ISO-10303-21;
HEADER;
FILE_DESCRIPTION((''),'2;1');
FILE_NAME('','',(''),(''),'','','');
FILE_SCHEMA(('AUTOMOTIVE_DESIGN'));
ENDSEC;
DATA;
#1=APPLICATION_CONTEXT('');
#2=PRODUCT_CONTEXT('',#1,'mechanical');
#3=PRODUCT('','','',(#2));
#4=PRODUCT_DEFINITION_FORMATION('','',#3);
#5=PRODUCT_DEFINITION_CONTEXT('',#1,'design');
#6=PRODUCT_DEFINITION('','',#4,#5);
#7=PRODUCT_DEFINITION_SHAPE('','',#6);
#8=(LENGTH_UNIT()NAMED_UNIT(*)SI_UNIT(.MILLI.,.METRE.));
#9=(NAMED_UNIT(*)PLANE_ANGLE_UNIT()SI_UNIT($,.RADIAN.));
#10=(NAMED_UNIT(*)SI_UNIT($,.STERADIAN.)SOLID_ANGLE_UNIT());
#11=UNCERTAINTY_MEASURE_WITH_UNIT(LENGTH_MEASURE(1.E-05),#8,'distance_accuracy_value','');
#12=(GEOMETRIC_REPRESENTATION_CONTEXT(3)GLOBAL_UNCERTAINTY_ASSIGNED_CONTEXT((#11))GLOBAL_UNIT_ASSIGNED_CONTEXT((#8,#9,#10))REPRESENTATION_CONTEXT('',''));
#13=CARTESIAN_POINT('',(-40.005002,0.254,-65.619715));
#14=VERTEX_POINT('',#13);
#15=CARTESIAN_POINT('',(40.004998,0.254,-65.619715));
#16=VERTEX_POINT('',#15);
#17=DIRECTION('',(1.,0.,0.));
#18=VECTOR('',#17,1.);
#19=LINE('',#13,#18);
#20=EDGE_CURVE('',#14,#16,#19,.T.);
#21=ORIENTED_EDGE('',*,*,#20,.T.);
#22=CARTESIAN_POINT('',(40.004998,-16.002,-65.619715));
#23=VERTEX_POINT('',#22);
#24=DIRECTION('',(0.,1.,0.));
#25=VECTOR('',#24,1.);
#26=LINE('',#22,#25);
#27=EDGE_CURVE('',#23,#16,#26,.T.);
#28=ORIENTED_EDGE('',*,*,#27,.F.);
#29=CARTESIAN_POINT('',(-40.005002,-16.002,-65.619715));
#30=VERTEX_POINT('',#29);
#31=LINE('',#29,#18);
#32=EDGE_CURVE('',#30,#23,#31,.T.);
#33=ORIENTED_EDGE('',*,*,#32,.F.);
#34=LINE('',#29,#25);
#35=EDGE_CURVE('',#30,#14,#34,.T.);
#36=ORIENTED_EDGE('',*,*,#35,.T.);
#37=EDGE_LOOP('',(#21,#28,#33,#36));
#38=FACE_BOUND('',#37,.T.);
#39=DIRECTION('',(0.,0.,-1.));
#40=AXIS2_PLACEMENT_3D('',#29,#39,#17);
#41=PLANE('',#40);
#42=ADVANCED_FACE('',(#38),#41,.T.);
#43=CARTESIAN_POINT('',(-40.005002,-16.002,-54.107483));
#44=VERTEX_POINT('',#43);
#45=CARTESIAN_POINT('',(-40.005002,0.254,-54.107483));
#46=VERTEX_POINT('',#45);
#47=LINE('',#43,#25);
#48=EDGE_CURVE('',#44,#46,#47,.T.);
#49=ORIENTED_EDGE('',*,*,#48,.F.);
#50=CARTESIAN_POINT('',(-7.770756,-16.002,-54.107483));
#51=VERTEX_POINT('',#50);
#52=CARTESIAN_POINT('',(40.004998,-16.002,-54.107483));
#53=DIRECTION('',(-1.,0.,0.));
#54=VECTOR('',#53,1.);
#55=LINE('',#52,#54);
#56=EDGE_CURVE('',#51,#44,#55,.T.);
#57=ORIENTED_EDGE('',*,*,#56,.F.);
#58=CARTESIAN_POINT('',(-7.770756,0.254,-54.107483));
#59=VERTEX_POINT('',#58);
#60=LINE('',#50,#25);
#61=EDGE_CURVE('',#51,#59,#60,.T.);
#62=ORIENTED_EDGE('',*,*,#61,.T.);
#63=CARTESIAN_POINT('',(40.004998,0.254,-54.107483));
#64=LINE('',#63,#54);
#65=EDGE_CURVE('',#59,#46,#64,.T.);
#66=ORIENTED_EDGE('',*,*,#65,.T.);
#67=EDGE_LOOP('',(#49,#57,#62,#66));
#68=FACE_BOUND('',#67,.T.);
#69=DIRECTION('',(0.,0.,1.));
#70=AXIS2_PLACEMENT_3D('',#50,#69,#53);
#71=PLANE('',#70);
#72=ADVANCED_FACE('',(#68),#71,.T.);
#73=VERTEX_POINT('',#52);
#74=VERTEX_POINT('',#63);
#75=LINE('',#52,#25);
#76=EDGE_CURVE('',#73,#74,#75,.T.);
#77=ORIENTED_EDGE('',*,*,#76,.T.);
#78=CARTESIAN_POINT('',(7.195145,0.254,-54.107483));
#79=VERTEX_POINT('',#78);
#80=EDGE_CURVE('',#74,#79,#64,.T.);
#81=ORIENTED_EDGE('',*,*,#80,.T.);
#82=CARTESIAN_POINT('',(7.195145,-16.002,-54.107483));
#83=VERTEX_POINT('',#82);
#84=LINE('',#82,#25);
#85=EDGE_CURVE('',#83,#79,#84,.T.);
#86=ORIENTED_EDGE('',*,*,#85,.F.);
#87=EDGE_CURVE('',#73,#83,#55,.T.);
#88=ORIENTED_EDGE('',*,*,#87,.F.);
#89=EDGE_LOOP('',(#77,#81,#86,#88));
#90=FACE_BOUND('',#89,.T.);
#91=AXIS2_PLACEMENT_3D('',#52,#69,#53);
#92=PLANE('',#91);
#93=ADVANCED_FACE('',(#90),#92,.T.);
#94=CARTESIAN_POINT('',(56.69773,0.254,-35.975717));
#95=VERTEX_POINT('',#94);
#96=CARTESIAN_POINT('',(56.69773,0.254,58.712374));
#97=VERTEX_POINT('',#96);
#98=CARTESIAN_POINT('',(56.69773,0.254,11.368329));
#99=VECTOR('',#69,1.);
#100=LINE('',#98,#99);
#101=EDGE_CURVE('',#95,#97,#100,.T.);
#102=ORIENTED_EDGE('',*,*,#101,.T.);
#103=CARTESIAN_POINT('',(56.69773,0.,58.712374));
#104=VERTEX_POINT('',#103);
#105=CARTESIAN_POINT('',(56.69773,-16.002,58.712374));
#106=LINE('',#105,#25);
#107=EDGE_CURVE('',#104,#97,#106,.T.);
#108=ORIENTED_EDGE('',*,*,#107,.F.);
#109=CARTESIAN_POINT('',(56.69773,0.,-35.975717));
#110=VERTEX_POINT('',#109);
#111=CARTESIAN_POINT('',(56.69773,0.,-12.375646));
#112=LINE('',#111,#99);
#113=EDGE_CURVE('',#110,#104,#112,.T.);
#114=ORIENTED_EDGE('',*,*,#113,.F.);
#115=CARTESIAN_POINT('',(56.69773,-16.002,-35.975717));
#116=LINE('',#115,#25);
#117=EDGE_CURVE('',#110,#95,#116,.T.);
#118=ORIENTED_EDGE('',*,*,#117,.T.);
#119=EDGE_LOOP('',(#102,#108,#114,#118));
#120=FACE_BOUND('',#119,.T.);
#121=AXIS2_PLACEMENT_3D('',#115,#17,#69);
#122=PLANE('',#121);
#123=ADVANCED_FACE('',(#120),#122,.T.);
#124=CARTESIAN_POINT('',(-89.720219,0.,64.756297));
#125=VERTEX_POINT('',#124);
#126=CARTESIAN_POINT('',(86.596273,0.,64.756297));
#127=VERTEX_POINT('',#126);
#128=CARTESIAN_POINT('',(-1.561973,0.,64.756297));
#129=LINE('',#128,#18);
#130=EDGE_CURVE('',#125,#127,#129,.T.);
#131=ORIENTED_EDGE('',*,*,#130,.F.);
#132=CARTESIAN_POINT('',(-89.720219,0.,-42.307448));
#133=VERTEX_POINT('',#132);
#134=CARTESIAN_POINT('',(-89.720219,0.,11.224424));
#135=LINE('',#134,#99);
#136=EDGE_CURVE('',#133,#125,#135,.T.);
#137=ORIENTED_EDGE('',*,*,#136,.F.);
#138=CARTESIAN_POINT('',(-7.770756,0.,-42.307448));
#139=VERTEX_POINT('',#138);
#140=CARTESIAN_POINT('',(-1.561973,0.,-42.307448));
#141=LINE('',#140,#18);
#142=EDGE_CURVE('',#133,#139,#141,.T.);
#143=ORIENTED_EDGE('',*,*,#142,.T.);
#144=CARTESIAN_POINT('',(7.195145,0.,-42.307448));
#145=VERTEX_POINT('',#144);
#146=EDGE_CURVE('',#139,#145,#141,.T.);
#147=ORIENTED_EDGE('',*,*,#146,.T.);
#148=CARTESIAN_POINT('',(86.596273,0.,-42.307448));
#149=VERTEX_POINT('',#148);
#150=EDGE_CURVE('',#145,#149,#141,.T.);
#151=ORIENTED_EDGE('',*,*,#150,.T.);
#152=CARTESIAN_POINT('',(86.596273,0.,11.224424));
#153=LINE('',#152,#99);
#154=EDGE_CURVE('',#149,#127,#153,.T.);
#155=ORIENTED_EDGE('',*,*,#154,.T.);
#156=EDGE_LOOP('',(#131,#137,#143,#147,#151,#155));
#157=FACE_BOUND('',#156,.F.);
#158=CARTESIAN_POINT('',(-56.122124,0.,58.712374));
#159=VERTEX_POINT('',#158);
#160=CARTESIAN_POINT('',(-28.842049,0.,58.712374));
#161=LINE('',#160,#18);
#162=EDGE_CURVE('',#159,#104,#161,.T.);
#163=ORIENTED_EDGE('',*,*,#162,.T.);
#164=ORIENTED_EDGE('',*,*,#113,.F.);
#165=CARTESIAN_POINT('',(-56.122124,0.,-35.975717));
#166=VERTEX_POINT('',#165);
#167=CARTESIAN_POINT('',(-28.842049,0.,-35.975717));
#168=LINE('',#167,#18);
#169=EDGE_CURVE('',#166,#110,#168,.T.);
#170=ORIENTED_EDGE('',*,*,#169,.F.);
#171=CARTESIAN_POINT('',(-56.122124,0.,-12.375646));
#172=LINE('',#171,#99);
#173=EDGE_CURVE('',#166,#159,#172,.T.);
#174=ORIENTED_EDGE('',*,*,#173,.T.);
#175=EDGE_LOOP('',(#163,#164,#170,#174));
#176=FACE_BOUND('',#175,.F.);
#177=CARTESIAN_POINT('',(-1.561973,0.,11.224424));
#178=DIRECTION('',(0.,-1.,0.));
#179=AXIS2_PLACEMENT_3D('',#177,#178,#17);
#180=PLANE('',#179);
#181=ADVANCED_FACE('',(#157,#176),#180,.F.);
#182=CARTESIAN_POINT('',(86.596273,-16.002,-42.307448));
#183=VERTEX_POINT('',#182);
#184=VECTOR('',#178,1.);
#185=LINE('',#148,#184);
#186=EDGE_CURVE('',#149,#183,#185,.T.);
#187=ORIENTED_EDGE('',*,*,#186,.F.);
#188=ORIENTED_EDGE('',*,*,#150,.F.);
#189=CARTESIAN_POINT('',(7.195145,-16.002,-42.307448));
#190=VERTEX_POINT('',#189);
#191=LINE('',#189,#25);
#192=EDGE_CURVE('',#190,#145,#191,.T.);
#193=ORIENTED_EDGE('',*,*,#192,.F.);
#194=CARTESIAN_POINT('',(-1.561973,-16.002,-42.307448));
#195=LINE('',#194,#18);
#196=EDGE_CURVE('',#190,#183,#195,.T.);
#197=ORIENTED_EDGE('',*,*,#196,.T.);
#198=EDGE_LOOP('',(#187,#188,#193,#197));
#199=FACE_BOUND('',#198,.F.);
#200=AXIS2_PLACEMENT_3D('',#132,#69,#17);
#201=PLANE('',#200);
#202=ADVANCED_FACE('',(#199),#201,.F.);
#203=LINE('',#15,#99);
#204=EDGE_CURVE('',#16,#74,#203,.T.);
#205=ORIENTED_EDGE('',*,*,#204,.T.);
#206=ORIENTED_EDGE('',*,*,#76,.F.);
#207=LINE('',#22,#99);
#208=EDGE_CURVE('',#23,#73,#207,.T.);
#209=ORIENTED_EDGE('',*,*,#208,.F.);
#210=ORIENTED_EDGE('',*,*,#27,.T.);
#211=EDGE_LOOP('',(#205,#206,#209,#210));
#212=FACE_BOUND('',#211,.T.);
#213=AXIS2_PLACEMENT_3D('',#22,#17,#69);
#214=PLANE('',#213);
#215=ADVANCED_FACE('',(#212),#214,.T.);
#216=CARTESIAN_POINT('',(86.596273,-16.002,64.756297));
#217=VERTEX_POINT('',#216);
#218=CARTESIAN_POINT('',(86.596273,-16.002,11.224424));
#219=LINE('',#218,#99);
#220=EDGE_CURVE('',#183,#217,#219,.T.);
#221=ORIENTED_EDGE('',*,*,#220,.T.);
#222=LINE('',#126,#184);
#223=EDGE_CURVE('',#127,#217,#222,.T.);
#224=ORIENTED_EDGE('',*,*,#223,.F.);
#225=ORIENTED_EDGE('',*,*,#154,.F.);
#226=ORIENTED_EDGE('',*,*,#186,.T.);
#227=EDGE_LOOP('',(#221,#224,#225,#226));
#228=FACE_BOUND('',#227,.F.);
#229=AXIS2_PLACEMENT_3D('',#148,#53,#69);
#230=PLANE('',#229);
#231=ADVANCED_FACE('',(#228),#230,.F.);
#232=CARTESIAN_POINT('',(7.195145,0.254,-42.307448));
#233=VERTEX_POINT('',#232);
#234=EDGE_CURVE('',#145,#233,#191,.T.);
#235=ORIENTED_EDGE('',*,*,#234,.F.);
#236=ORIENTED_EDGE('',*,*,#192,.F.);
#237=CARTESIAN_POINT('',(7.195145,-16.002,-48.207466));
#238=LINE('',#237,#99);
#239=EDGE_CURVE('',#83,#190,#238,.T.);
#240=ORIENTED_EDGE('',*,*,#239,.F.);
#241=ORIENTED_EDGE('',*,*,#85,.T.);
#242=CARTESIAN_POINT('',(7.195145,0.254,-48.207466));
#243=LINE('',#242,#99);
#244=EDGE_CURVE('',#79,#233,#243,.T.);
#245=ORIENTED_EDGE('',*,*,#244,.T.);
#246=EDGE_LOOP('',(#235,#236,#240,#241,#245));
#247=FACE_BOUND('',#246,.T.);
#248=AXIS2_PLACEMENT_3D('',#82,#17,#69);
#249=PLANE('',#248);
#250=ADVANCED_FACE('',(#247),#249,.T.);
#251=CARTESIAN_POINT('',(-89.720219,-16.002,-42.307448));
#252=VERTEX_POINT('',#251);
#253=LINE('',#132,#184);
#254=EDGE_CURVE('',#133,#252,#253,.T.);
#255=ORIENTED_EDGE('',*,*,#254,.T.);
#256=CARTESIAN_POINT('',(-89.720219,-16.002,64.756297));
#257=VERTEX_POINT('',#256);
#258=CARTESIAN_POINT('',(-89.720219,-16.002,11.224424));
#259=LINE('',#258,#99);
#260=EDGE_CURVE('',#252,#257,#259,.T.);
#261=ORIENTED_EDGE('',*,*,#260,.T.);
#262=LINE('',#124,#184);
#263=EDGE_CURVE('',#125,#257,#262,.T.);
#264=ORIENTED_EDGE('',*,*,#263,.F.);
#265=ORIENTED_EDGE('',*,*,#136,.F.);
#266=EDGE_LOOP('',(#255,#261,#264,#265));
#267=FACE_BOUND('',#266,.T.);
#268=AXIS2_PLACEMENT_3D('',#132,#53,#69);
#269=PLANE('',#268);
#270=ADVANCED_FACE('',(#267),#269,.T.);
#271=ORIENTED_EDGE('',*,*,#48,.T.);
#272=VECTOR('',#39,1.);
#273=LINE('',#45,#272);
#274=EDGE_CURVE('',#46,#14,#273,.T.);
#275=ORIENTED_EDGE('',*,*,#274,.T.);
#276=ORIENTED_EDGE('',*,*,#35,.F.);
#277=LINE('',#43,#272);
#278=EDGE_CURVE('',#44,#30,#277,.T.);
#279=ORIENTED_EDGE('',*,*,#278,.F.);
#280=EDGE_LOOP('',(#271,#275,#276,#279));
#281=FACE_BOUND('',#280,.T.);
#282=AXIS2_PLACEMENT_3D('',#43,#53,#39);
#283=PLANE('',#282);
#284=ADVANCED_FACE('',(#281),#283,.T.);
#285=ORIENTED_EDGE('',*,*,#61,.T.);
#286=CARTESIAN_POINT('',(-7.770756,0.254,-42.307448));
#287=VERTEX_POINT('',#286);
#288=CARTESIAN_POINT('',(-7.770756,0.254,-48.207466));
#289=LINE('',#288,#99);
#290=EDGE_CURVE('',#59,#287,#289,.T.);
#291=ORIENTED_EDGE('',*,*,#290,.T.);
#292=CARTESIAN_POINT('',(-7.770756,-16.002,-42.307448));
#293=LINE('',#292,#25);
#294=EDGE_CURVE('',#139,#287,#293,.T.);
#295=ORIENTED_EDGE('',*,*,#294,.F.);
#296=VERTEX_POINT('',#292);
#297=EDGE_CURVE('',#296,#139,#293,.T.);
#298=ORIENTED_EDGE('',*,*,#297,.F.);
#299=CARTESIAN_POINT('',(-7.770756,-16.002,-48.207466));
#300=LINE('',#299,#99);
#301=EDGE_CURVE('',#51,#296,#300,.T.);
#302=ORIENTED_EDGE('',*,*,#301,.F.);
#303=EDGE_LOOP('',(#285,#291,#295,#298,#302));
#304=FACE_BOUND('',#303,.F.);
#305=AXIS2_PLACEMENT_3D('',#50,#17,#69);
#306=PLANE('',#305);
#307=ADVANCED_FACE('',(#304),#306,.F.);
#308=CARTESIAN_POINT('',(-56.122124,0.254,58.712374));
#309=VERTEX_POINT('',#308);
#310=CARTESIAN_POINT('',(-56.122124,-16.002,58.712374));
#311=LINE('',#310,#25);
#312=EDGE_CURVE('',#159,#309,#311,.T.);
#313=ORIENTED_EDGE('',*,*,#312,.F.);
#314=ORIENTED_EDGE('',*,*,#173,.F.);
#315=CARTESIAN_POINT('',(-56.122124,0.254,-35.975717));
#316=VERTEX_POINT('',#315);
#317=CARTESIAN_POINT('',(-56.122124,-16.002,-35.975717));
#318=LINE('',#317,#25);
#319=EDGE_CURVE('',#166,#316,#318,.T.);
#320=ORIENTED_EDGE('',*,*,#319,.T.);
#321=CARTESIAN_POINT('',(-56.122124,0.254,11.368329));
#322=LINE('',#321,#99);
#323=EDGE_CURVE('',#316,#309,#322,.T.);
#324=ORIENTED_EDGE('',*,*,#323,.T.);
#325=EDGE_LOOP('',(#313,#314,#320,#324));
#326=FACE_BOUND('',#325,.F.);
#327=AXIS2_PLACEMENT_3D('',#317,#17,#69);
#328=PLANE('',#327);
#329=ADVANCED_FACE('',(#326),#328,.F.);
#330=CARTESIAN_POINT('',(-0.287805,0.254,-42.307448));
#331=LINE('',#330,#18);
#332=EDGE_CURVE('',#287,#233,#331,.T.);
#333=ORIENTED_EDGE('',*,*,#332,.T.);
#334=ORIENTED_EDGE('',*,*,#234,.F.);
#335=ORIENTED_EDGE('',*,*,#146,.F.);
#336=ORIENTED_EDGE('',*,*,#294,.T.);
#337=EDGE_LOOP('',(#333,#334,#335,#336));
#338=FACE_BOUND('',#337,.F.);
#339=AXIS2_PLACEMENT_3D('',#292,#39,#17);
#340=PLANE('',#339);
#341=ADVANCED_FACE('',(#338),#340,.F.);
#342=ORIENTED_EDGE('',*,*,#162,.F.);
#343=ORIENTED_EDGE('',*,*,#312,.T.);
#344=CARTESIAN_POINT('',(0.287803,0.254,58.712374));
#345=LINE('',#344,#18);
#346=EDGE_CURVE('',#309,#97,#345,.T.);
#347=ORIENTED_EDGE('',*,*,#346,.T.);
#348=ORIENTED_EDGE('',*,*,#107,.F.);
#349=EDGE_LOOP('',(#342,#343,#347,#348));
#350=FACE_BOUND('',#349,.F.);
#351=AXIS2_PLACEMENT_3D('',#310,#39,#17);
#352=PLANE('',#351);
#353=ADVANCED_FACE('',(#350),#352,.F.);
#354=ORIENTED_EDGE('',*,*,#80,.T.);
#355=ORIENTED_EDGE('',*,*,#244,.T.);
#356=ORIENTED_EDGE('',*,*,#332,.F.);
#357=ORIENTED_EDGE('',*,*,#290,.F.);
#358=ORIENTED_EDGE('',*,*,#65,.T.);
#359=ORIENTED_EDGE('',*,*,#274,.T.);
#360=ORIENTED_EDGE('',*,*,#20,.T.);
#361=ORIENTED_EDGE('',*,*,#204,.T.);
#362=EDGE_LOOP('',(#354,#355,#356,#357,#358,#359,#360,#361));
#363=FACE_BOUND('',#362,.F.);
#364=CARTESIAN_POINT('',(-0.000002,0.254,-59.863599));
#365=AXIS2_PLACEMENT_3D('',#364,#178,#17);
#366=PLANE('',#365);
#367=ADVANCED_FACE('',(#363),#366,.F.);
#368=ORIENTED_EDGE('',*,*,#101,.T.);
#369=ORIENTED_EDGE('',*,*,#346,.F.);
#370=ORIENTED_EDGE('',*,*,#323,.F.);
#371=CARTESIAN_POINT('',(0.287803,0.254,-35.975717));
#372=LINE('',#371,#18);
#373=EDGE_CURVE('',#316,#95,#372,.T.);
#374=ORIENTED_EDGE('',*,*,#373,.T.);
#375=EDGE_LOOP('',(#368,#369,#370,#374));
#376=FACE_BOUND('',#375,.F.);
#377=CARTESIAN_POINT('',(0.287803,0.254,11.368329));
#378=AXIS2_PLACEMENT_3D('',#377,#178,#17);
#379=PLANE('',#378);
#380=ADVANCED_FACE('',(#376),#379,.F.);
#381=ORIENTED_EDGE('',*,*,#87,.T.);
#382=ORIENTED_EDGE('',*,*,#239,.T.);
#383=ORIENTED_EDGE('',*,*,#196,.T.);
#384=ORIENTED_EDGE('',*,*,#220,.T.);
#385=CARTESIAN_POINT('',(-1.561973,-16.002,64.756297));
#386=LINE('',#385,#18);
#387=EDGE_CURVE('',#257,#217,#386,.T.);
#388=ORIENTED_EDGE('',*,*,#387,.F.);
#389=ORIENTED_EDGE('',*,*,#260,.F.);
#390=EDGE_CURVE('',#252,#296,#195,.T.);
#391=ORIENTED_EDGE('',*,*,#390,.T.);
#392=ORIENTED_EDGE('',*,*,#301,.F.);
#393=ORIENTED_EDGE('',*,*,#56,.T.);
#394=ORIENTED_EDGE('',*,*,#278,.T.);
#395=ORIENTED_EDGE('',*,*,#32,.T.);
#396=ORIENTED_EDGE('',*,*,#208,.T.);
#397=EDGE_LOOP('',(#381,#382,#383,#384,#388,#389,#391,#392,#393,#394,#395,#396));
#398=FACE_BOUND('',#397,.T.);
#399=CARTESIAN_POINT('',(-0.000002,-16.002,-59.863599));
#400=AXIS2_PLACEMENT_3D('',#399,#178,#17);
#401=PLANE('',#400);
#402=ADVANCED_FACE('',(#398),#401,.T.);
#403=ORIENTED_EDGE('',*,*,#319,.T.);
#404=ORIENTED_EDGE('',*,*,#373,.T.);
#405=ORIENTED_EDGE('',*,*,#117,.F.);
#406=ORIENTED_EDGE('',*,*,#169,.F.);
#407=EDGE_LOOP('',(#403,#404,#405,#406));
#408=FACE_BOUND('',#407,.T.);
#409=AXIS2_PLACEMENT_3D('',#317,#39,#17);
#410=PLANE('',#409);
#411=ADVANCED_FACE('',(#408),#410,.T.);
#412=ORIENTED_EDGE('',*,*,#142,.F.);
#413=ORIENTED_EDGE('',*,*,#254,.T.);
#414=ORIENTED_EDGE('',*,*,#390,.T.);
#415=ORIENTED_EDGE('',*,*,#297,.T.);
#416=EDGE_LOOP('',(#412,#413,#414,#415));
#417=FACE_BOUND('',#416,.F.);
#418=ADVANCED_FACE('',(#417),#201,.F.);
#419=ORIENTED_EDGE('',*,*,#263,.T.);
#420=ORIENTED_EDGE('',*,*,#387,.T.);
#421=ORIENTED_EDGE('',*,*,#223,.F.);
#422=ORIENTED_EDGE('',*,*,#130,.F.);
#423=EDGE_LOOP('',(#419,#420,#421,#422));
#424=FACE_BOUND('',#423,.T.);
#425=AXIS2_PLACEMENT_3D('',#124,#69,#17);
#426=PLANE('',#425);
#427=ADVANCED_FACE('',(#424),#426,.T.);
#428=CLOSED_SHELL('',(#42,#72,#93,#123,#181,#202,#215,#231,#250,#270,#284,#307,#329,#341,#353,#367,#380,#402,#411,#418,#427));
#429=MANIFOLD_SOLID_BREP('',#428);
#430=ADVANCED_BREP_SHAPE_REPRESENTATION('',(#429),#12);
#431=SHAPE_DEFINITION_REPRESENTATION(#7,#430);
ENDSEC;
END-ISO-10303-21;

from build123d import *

# Parameters (mm, degrees)
F0_W     = 176.3164922595
F0_H     = 107.0637442172
F0_W_2   = 167.9538153112
F0_H_2   = 100.156404078
F1_DEPTH = 16.002
F2_W     = 14.965901617
F2_H     = 11.8000358343
F2_W_2   = 112.8198541701
F2_H_2   = 94.6880914271
F3_DEPTH = 16.256


with BuildPart() as f1:
    # F0 (on Front) → F1 (new body)
    with BuildSketch(Plane.XZ):
        with Locations((-1.561973244, 11.2244244665)):
            Rectangle(F0_W, F0_H)
        with Locations((-1.1848155409, 10.9366178513)):
            Rectangle(F0_W_2, F0_H_2, mode=Mode.SUBTRACT)
        with Locations((-1.1848155409, 10.9366178513)):
            Rectangle(F0_W_2, F0_H_2)
    extrude(amount=F1_DEPTH)

    # F2 (on face) → F3 (join)
    with BuildSketch(Plane.XZ.offset(16.002)):
        Polygon((7.1951453574, -54.1074834764), (-7.7707562596, -54.1074834764), (-40.0050021708, -54.1074834764), (-40.0050021708, -65.6197145581), (40.0049984455, -65.6197145581), (40.0049984455, -54.1074834764), align=None)
        with Locations((-0.2878054511, -48.2074655592)):
            Rectangle(F2_W, F2_H)
        with Locations((0.2878028899, 11.3683287054)):
            Rectangle(F2_W_2, F2_H_2)
    extrude(amount=-F3_DEPTH)


solid = f1.part
